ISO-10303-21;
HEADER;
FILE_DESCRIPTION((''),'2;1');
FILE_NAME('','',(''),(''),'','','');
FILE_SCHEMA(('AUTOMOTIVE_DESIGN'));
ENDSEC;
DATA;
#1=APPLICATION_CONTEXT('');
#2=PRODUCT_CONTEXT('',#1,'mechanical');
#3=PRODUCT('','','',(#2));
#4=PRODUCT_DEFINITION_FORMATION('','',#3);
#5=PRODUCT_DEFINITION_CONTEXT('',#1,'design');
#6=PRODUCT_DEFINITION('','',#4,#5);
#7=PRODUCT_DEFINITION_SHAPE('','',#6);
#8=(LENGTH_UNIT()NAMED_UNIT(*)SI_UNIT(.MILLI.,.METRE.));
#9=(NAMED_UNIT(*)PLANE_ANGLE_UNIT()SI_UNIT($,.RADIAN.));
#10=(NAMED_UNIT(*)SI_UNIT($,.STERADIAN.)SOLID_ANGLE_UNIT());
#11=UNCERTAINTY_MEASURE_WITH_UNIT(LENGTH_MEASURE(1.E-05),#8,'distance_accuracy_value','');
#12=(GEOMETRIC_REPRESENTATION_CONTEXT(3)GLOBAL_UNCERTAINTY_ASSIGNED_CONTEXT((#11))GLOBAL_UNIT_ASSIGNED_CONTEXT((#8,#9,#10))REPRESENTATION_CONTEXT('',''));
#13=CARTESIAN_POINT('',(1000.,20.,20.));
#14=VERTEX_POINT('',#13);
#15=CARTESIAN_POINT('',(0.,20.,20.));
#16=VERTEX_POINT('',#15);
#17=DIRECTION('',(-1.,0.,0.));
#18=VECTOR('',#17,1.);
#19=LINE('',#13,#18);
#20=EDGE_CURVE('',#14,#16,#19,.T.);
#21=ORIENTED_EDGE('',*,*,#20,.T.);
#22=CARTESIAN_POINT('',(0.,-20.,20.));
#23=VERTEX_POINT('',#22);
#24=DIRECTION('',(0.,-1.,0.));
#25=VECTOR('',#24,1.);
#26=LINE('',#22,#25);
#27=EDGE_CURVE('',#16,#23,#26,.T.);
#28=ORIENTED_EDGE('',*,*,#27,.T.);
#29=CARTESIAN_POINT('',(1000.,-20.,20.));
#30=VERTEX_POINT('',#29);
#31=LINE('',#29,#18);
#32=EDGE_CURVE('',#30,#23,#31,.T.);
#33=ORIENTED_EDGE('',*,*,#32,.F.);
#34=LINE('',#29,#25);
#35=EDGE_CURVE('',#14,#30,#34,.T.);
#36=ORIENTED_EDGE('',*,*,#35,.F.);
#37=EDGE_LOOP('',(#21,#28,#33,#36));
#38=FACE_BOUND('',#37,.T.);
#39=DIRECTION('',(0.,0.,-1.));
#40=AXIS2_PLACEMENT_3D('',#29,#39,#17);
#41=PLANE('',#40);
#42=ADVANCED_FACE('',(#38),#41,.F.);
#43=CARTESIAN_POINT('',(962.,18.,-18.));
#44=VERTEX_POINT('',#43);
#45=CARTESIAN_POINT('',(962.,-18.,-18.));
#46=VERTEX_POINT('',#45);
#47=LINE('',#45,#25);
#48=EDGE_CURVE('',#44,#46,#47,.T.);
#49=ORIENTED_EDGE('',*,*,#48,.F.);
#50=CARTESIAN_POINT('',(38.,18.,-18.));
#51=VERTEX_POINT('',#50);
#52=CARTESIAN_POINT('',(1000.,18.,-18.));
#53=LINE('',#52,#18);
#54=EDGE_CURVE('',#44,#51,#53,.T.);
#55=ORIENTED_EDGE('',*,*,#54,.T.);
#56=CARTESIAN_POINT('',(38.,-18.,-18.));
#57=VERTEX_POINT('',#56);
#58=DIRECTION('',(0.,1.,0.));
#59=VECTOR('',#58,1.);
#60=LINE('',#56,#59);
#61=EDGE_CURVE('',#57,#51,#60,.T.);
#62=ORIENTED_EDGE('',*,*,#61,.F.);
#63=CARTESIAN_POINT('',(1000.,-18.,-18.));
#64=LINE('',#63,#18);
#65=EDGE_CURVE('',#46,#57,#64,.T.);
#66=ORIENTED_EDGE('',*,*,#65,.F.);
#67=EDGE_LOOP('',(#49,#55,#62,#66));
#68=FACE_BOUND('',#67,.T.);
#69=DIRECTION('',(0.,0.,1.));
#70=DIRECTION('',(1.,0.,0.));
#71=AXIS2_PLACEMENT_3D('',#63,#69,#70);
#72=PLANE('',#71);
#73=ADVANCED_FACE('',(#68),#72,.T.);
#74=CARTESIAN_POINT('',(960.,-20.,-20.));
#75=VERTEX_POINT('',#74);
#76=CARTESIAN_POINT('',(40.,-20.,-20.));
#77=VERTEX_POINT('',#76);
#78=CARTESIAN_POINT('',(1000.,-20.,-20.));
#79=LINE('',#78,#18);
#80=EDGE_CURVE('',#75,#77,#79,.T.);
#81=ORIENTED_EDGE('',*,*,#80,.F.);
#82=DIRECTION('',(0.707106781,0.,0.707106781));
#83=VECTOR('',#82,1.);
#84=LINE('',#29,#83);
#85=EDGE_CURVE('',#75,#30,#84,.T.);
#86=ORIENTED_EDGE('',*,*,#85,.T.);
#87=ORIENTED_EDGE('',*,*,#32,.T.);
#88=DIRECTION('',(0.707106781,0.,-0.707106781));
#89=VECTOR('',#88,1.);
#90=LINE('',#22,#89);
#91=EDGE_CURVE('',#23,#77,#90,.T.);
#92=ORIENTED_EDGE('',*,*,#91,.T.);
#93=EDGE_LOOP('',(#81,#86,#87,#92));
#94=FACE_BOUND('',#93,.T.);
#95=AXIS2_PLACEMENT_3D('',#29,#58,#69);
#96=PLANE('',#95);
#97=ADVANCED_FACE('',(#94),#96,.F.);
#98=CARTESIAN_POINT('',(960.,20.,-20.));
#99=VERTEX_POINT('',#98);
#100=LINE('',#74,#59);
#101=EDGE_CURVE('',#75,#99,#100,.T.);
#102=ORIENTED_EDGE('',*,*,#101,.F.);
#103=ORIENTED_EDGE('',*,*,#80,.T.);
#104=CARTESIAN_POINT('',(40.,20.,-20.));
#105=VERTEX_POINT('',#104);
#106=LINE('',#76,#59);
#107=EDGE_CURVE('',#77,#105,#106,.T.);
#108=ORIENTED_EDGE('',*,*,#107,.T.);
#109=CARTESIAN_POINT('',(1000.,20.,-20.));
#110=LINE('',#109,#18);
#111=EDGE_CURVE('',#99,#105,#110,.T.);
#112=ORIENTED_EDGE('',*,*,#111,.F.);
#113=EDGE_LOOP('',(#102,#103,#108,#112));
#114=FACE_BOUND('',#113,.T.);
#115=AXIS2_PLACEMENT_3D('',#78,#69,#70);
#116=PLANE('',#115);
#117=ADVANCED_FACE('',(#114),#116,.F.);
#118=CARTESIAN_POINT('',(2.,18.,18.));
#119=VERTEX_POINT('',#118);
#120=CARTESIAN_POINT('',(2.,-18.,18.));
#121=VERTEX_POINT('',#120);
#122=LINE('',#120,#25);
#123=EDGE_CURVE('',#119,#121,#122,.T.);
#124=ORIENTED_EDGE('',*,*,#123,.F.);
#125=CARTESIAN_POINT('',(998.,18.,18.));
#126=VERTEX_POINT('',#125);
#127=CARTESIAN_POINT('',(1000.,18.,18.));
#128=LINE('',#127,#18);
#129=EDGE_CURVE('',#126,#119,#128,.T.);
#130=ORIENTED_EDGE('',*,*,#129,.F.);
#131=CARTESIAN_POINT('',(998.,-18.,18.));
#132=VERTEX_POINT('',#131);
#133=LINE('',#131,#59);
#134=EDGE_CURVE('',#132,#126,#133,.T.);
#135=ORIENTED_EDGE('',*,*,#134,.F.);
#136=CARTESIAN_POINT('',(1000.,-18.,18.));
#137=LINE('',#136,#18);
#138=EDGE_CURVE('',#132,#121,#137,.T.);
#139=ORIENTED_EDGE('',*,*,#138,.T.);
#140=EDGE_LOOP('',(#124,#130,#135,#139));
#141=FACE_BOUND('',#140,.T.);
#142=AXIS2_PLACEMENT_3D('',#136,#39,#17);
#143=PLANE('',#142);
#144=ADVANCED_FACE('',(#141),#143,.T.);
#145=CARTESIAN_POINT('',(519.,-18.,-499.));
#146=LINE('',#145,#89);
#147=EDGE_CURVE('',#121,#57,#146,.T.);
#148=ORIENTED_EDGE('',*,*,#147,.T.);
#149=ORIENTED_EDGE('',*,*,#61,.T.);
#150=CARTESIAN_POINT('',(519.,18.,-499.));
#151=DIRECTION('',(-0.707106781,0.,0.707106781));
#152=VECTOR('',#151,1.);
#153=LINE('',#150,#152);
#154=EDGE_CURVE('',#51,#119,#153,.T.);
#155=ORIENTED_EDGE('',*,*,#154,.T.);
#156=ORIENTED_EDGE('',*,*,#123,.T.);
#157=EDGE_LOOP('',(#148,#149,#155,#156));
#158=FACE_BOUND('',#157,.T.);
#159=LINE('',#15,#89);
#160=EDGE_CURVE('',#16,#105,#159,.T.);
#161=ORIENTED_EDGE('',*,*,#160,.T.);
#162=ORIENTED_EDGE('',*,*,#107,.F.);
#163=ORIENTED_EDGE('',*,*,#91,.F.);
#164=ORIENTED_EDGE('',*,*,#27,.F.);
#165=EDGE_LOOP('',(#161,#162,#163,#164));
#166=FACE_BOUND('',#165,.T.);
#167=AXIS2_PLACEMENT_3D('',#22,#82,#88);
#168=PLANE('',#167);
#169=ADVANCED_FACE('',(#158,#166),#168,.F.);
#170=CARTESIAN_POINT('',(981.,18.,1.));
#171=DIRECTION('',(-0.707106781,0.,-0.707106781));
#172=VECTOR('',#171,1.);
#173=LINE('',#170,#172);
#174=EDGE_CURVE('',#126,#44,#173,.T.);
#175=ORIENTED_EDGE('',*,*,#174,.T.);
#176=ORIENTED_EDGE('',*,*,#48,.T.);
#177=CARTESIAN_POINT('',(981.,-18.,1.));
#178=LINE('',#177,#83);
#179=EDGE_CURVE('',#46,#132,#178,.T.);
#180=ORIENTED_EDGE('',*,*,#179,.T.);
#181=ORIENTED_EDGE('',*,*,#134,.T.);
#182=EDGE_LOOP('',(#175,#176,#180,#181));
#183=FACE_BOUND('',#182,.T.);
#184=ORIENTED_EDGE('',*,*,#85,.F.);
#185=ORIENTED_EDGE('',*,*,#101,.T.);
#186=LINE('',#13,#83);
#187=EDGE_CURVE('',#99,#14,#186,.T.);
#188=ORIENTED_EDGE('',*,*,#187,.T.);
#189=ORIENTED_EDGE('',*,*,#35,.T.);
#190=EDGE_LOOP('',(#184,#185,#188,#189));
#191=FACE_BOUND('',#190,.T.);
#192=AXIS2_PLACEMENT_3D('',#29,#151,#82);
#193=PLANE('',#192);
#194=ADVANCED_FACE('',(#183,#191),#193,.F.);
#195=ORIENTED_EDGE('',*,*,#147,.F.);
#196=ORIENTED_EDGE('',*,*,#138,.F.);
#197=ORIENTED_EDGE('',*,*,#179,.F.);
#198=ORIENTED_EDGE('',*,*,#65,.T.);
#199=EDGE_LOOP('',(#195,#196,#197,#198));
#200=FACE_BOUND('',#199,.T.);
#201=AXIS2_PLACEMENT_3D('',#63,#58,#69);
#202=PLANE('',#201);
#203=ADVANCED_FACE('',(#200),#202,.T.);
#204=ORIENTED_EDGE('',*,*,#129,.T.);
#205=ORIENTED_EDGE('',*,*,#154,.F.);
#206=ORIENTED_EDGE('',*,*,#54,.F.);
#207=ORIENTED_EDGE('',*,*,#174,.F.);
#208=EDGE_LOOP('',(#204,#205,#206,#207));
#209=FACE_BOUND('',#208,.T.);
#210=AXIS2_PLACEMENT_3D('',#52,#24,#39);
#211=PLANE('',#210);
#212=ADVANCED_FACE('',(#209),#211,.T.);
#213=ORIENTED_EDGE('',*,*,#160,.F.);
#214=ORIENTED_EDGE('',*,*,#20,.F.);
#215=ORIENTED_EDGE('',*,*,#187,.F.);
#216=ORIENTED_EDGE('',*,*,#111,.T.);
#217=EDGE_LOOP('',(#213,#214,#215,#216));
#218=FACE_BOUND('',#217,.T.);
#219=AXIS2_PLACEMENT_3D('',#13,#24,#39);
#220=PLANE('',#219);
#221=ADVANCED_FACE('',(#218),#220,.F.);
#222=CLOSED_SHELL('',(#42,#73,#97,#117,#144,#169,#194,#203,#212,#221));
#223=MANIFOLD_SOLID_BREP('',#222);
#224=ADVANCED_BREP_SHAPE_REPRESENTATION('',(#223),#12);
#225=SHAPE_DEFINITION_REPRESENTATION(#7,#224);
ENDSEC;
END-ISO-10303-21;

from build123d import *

# Parameters (mm, degrees)
CROQUIS1_W              = 40
CROQUIS1_H              = 40
CROQUIS1_W_2            = 36
CROQUIS1_H_2            = 36
SALIENTE_EXTRUIR1_DEPTH = 1000
CORTAR_EXTRUIR1_DEPTH   = 41


with BuildPart() as part:
    # Croquis1 → Saliente-Extruir1 (new body)
    with BuildSketch(Plane(origin=(0, 0, 0), x_dir=(0, 0, -1), z_dir=(1, 0, 0))):
        Rectangle(CROQUIS1_W, CROQUIS1_H)
        Rectangle(CROQUIS1_W_2, CROQUIS1_H_2, mode=Mode.SUBTRACT)
    extrude(amount=SALIENTE_EXTRUIR1_DEPTH)

    # Croquis2 → Cortar-Extruir1 (cut, through all)
    with BuildSketch(Plane(origin=(0, 20, 0), x_dir=(1, 0, 0), z_dir=(0, 1, 0))):
        Polygon((0, -20), (40, 20), (0, 20), align=None)
        Polygon((1000, 20), (1000, -20), (960, 20), align=None)
    extrude(amount=-CORTAR_EXTRUIR1_DEPTH, mode=Mode.SUBTRACT)


solid = part.part
